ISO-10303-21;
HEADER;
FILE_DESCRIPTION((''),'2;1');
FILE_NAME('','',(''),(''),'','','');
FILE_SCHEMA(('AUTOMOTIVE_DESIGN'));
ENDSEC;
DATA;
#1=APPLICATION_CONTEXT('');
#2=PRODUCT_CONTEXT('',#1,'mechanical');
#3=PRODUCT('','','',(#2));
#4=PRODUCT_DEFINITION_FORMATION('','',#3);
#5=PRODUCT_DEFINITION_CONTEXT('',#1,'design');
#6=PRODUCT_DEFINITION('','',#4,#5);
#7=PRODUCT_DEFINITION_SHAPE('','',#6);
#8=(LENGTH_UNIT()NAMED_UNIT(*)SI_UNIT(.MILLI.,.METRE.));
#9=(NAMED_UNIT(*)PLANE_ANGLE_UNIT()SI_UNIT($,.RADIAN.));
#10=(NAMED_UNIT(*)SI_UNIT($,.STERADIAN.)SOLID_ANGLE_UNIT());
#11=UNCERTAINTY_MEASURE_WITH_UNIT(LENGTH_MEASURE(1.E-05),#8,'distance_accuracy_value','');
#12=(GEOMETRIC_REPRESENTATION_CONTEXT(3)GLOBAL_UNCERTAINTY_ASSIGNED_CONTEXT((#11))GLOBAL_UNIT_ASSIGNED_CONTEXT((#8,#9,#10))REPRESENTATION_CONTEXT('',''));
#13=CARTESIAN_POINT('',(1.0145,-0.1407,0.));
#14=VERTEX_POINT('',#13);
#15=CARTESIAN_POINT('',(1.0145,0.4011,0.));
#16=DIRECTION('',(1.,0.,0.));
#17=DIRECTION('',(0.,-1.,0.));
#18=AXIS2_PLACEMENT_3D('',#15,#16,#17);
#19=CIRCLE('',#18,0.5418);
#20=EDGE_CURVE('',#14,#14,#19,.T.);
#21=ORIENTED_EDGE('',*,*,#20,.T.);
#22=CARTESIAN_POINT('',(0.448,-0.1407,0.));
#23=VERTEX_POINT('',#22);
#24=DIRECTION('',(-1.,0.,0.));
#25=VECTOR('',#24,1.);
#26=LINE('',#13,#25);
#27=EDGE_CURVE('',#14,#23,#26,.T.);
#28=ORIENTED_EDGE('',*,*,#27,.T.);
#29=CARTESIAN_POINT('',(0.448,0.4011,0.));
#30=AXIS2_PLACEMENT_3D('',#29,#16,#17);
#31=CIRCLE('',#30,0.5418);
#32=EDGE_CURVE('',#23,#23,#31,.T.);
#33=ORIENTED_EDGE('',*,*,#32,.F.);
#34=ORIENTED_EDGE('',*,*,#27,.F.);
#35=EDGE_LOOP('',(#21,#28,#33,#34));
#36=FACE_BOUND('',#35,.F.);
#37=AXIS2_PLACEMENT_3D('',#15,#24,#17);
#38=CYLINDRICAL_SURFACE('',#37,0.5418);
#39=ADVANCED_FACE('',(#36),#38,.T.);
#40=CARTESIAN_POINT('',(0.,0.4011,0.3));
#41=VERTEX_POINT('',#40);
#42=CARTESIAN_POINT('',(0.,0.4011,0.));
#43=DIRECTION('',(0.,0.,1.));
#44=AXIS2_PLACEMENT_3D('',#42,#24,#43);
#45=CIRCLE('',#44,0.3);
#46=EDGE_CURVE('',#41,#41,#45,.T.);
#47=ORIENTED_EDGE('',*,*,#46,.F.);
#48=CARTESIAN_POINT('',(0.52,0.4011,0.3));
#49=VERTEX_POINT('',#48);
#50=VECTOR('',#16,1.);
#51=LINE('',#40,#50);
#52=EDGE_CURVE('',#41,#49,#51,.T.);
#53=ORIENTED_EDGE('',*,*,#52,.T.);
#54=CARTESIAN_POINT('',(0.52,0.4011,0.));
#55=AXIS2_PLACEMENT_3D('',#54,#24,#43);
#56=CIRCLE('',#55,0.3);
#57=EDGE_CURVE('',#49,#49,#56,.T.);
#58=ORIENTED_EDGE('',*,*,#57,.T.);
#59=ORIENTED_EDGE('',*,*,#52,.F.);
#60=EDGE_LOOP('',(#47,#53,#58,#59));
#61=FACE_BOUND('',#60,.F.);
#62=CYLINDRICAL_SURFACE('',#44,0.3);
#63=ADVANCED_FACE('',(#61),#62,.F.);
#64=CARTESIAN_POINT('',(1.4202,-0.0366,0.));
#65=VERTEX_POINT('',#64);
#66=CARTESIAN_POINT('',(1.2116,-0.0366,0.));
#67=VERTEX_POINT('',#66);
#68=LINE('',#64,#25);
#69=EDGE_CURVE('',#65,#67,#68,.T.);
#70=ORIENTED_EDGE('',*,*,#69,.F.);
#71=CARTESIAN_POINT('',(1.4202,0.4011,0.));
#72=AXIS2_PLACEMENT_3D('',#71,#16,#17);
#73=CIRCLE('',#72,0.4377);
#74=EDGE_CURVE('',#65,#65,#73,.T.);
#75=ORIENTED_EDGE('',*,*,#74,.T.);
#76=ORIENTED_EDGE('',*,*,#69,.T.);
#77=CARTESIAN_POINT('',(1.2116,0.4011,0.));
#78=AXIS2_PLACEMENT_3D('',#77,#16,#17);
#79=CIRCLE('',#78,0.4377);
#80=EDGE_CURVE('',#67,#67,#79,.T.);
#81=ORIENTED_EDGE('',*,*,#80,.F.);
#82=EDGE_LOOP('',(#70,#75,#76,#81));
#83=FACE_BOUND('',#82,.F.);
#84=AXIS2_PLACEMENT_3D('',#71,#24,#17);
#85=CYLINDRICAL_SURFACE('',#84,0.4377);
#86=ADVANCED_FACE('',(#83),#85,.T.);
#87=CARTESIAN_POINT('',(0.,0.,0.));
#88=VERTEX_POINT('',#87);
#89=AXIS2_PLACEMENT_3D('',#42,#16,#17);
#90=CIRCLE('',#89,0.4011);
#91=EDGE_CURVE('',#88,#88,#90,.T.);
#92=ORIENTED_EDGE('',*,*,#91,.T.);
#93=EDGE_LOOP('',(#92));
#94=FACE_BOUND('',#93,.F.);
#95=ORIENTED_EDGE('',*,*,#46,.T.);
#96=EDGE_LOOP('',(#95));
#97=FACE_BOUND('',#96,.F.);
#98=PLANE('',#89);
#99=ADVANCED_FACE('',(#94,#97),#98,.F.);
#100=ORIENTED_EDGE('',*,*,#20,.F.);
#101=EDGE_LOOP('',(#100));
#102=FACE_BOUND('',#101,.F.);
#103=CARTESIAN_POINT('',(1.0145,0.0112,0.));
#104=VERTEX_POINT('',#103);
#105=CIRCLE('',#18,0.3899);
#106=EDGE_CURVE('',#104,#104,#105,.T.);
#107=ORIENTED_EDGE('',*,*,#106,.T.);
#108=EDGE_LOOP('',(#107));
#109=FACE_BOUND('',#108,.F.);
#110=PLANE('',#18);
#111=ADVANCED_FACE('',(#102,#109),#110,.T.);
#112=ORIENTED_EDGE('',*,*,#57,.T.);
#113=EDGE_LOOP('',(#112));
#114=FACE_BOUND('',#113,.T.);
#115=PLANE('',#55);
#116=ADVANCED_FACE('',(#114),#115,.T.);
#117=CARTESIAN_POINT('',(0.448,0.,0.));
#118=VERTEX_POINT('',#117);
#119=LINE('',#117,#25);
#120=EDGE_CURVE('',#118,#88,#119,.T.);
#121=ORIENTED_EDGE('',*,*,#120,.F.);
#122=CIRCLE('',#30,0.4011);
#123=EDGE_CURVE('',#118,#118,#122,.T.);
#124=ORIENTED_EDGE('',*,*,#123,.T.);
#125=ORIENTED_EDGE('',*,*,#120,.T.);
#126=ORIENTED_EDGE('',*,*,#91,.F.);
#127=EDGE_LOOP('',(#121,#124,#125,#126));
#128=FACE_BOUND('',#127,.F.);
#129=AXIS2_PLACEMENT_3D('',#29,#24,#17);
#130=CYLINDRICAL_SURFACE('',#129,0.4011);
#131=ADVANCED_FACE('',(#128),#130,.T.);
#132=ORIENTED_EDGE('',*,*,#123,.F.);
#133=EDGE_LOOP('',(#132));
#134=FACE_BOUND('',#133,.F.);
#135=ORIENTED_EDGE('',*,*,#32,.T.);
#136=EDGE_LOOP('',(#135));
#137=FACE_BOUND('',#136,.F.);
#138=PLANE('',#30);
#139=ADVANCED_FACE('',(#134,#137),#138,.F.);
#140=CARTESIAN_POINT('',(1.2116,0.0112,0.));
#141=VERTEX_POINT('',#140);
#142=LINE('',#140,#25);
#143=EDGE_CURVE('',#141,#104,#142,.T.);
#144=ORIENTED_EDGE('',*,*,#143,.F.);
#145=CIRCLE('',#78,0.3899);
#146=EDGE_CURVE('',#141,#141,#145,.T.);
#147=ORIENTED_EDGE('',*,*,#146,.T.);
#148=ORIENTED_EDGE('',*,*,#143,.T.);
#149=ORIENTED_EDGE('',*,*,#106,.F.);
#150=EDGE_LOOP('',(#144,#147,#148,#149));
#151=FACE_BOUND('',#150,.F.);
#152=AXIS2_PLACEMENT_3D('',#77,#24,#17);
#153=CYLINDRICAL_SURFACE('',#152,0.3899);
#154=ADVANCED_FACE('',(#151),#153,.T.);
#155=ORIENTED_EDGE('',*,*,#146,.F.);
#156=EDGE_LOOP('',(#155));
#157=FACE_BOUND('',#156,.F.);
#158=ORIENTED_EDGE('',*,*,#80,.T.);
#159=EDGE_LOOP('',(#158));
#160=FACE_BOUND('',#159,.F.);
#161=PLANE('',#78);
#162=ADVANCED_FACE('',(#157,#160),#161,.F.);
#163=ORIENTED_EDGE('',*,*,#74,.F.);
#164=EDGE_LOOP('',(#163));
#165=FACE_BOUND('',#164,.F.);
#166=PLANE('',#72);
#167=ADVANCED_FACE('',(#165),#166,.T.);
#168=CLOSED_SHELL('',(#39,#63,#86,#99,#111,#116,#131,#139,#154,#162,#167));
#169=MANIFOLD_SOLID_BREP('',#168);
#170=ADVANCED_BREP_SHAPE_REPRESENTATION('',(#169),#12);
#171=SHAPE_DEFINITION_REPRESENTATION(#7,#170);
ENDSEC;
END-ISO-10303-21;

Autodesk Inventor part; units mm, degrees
ref_plane "YZ Plane" through (0, 0, 0) normal (1, 0, 0) x (0, 1, 0)
ref_plane "XZ Plane" through (0, 0, 0) normal (0, 1, 0) x (-1, 0, 0)
ref_plane "XY Plane" through (0, 0, 0) normal (0, 0, 1) x (1, 0, 0)
sketch "Boceto1" plane through (0, 0, 0) normal (0, 0, 1) x (1, 0, 0)
  line L0 (0.448, 0.4011) -> (0.448, 0)
  line L1 (0.448, 0) -> (0, 0)
  line L2 (0, 0) -> (0, 0.4011)
  line L3 (1.0145, -0.1407) -> (0.448, -0.1407)
  line L4 (0.448, -0.1407) -> (0.448, 0.4011)
  line L5 (1.2116, 0.4011) -> (1.2116, 0.0112)
  line L6 (1.2116, 0.0112) -> (1.0145, 0.0112)
  line L7 (1.0145, 0.0112) -> (1.0145, 0.4011)
  line L8 (1.4202, 0.4011) -> (1.4202, -0.0366)
  line L9 (1.4202, -0.0366) -> (1.2116, -0.0366)
  line L10 (0, 0.4011) -> (1.4202, 0.4011)
  line L11 (1.2116, -0.0366) -> (1.2116, 0.4011)
  line L12 (1.0145, 0.4011) -> (1.0145, -0.1407)
revolve "Revolución1" add sketch "Boceto1" angle 360 about axis through (0, 0.4011, 0) along (1, 0, 0)
sketch "Boceto2" plane through (0, 0.4011, 0) normal (-1, 0, 0) x (0, 0, 1)
  circle A0 centre (0, 0) radius 0.4011 projected
  line L0 (0.17, 0) -> (0.17, 0.17)
  line L1 (0.17, 0.17) -> (-0.17, 0.17)
  line L2 (-0.17, 0.17) -> (-0.17, -0.17)
  line L3 (-0.17, -0.17) -> (0.17, -0.17)
  line L4 (0.17, -0.17) -> (0.17, 0)
  point P0 (0, -0.4011)
extrude "Extrusión1" cut sketch "Boceto2" against normal blind 0.28 contours L4 L3 L2 L1 L0
sketch "Boceto3" plane through (0, 0.4011, 0) normal (-1, 0, 0) x (0, 0, 1)
  line L0 (-0.17, 0.17) -> (0.17, 0.17) projected
  line L1 (0.17, 0.17) -> (0.17, 0) projected
  line L2 (0.17, 0) -> (0.17, -0.17) projected
  line L3 (0.17, -0.17) -> (-0.17, -0.17) projected
  line L4 (-0.17, -0.17) -> (-0.17, 0.17) projected
  circle A0 centre (0, 0) radius 0.4011 projected
  circle A1 centre (0, 0) radius 0.3
  point P0 (0, -0.4011)
  dimension "d9" = 0.6
extrude "Extrusión2" cut sketch "Boceto3" against normal blind 0.52 contours L0 L1 L2 L3 L4 | A1
properties part number "ET22"
